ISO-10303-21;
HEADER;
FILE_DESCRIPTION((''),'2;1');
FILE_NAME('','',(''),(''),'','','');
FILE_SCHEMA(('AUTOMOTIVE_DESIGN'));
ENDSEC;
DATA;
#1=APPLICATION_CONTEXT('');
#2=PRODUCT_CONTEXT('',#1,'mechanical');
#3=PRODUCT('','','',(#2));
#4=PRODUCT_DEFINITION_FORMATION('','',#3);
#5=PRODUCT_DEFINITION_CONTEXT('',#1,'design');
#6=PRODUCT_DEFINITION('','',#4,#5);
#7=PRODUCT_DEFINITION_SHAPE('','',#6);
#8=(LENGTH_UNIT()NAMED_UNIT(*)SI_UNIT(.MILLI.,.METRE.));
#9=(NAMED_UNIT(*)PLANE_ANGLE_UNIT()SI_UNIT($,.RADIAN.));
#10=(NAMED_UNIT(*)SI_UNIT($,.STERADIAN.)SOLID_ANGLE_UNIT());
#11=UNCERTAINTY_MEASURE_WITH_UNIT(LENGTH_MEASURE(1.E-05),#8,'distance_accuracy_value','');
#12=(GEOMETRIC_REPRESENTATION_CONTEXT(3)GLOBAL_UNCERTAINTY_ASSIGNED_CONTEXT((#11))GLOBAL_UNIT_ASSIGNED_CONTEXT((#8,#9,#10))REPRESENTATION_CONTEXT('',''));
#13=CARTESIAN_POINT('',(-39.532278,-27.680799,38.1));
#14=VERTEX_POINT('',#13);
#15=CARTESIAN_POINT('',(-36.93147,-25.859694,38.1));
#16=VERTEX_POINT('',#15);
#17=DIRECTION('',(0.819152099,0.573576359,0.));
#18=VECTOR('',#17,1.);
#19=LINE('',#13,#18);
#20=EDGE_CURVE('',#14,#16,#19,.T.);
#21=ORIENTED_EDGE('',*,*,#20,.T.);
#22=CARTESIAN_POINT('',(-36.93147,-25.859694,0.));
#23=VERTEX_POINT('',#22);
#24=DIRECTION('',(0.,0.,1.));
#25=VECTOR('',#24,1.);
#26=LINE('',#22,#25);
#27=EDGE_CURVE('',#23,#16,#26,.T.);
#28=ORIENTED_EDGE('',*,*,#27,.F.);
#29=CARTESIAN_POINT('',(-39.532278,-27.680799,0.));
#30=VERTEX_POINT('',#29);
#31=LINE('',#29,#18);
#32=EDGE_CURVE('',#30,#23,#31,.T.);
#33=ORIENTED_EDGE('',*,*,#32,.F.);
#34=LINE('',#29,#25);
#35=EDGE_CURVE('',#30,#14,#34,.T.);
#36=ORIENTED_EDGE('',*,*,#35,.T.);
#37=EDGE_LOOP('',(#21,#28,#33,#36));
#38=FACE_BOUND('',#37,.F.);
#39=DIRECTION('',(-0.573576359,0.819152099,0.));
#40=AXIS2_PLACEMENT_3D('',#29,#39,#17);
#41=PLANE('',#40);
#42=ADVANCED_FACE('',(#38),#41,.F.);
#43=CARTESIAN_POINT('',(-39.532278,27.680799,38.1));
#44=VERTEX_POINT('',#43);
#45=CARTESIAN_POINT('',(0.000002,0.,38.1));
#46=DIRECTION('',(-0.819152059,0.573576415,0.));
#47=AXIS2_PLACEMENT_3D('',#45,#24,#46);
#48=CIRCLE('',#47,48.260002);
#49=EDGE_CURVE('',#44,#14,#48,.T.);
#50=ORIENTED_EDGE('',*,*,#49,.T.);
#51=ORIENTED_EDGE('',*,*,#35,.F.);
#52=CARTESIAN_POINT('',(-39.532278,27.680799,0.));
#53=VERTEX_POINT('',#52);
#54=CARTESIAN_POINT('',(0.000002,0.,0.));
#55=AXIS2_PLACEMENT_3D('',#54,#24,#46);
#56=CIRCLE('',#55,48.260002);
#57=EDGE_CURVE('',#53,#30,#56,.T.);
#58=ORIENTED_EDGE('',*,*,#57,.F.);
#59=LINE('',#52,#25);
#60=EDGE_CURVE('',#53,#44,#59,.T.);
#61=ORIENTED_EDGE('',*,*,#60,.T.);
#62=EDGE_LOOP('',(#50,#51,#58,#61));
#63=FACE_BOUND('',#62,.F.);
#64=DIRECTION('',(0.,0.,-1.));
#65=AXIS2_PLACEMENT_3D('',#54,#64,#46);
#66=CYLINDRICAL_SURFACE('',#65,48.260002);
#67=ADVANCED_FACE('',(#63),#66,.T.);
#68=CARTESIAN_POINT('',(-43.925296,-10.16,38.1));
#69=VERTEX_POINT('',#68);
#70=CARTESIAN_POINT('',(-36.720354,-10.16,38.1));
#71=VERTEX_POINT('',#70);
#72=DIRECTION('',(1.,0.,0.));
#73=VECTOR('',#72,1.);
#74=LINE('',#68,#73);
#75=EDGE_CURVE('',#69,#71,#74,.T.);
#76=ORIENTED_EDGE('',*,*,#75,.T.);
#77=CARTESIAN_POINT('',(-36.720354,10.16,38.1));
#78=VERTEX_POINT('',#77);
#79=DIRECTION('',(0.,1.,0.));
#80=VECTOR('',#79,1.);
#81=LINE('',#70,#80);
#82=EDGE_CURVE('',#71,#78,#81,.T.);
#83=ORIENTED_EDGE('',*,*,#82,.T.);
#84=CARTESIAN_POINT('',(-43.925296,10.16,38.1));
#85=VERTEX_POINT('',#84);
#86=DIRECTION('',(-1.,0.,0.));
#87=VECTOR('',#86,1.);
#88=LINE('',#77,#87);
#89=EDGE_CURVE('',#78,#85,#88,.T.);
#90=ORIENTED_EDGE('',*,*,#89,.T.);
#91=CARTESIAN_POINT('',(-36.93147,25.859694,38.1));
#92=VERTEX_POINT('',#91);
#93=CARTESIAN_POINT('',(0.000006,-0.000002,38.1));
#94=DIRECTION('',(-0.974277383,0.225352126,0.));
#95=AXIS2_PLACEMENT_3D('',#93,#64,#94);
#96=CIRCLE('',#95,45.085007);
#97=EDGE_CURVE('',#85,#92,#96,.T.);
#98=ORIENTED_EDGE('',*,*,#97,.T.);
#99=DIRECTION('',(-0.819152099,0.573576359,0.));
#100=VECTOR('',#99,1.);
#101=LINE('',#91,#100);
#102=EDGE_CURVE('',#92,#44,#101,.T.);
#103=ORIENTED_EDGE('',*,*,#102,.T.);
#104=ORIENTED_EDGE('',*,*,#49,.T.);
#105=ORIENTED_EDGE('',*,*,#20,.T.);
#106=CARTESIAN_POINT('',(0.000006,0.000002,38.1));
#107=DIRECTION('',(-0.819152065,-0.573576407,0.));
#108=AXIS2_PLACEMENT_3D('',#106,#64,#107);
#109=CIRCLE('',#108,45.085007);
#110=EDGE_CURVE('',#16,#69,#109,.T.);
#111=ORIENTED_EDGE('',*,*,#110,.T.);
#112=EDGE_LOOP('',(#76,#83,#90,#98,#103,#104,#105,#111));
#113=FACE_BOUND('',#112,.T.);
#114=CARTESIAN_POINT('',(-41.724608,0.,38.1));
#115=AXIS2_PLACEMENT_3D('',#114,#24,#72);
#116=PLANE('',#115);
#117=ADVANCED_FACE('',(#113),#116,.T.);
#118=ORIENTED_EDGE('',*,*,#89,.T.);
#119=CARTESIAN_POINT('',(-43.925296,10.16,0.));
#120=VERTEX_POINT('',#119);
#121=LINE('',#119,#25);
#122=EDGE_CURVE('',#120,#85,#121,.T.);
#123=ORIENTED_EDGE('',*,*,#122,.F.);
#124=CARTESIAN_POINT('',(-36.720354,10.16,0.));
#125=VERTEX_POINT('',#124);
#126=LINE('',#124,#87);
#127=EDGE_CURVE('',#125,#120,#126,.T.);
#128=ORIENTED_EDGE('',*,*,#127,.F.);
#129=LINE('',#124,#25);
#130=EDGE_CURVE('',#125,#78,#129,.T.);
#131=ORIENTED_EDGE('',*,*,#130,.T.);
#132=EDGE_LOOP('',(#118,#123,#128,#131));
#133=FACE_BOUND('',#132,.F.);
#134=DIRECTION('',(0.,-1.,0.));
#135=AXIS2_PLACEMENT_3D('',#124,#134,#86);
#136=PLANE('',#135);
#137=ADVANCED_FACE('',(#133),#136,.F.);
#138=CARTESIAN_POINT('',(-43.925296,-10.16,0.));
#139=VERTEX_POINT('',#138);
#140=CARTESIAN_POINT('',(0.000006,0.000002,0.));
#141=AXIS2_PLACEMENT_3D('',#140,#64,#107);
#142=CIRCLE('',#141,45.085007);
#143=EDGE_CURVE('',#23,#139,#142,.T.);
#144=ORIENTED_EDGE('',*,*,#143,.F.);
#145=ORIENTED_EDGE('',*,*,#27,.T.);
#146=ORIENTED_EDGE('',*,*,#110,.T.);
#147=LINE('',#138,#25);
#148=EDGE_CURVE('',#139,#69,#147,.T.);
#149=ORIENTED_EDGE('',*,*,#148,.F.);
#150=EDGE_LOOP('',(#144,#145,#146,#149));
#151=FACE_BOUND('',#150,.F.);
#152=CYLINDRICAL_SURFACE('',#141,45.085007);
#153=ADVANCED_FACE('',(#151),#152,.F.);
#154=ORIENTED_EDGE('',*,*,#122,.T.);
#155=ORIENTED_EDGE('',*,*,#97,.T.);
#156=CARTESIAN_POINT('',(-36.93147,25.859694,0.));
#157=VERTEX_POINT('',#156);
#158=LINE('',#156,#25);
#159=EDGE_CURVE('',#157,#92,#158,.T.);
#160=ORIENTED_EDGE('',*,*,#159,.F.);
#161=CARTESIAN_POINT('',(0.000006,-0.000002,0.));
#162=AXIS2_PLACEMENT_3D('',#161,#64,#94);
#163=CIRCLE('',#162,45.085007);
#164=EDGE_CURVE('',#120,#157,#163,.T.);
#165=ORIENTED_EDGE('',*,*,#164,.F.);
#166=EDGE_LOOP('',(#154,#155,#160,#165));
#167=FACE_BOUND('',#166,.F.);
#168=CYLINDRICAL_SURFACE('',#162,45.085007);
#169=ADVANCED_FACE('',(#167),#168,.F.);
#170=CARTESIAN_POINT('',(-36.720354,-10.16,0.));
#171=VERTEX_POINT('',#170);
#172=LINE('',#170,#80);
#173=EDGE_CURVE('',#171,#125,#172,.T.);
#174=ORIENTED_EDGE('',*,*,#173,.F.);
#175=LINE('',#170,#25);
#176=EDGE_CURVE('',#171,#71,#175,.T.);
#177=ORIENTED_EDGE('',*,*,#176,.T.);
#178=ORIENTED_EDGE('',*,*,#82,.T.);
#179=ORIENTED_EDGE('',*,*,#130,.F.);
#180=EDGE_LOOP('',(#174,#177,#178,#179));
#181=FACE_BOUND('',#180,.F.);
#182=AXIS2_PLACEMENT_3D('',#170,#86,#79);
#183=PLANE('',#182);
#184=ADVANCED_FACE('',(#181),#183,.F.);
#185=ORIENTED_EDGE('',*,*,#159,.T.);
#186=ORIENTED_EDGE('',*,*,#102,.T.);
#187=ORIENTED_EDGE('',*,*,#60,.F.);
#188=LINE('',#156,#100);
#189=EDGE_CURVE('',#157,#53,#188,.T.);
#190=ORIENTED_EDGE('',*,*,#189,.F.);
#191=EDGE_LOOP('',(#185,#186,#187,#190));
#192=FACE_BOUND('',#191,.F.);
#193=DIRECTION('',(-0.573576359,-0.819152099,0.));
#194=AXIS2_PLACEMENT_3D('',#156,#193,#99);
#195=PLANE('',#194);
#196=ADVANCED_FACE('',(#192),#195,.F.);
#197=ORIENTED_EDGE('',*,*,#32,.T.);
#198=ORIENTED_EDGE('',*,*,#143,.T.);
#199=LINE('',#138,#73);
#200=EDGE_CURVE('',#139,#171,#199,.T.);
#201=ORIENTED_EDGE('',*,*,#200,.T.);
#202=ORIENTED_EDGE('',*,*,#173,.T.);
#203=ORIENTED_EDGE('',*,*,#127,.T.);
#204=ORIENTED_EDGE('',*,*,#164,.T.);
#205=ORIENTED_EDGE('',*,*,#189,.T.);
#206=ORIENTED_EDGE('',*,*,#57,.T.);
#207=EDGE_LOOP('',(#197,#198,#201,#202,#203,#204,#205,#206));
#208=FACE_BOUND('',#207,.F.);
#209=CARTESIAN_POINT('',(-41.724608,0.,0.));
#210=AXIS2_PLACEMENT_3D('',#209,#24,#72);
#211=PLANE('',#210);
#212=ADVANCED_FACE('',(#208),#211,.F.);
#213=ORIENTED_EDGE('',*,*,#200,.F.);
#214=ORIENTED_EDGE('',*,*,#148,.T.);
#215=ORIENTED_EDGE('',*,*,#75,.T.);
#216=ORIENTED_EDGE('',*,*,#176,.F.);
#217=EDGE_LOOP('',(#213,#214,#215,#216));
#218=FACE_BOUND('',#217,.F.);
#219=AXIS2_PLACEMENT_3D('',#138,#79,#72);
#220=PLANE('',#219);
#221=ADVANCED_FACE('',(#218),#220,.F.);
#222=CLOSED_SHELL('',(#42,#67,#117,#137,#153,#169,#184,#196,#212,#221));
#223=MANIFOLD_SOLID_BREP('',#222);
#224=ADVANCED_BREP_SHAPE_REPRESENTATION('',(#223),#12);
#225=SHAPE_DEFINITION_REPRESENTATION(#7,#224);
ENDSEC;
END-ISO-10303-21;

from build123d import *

# Parameters (mm, degrees)
F1_DEPTH = 38.1


with BuildPart() as f1:
    # F0 (on Top) → F1 (new body)
    with BuildSketch(Plane.XY):
        with BuildLine():
            ThreePointArc((-36.93147, -25.859694), (-41.183422, -18.346198), (-43.925296, -10.16))
            Line((-43.925296, -10.16), (-36.720354, -10.16))
            Line((-36.720354, -10.16), (-36.720354, 10.16))
            Line((-36.720354, 10.16), (-43.925296, 10.16))
            ThreePointArc((-43.925296, 10.16), (-41.183422, 18.346198), (-36.93147, 25.859694))
            Line((-36.93147, 25.859694), (-39.532278, 27.680799))
            ThreePointArc((-39.532278, 27.680799), (-48.26, 0), (-39.532278, -27.680799))
            Line((-39.532278, -27.680799), (-36.93147, -25.859694))
        make_face()
    extrude(amount=F1_DEPTH)


solid = f1.part
